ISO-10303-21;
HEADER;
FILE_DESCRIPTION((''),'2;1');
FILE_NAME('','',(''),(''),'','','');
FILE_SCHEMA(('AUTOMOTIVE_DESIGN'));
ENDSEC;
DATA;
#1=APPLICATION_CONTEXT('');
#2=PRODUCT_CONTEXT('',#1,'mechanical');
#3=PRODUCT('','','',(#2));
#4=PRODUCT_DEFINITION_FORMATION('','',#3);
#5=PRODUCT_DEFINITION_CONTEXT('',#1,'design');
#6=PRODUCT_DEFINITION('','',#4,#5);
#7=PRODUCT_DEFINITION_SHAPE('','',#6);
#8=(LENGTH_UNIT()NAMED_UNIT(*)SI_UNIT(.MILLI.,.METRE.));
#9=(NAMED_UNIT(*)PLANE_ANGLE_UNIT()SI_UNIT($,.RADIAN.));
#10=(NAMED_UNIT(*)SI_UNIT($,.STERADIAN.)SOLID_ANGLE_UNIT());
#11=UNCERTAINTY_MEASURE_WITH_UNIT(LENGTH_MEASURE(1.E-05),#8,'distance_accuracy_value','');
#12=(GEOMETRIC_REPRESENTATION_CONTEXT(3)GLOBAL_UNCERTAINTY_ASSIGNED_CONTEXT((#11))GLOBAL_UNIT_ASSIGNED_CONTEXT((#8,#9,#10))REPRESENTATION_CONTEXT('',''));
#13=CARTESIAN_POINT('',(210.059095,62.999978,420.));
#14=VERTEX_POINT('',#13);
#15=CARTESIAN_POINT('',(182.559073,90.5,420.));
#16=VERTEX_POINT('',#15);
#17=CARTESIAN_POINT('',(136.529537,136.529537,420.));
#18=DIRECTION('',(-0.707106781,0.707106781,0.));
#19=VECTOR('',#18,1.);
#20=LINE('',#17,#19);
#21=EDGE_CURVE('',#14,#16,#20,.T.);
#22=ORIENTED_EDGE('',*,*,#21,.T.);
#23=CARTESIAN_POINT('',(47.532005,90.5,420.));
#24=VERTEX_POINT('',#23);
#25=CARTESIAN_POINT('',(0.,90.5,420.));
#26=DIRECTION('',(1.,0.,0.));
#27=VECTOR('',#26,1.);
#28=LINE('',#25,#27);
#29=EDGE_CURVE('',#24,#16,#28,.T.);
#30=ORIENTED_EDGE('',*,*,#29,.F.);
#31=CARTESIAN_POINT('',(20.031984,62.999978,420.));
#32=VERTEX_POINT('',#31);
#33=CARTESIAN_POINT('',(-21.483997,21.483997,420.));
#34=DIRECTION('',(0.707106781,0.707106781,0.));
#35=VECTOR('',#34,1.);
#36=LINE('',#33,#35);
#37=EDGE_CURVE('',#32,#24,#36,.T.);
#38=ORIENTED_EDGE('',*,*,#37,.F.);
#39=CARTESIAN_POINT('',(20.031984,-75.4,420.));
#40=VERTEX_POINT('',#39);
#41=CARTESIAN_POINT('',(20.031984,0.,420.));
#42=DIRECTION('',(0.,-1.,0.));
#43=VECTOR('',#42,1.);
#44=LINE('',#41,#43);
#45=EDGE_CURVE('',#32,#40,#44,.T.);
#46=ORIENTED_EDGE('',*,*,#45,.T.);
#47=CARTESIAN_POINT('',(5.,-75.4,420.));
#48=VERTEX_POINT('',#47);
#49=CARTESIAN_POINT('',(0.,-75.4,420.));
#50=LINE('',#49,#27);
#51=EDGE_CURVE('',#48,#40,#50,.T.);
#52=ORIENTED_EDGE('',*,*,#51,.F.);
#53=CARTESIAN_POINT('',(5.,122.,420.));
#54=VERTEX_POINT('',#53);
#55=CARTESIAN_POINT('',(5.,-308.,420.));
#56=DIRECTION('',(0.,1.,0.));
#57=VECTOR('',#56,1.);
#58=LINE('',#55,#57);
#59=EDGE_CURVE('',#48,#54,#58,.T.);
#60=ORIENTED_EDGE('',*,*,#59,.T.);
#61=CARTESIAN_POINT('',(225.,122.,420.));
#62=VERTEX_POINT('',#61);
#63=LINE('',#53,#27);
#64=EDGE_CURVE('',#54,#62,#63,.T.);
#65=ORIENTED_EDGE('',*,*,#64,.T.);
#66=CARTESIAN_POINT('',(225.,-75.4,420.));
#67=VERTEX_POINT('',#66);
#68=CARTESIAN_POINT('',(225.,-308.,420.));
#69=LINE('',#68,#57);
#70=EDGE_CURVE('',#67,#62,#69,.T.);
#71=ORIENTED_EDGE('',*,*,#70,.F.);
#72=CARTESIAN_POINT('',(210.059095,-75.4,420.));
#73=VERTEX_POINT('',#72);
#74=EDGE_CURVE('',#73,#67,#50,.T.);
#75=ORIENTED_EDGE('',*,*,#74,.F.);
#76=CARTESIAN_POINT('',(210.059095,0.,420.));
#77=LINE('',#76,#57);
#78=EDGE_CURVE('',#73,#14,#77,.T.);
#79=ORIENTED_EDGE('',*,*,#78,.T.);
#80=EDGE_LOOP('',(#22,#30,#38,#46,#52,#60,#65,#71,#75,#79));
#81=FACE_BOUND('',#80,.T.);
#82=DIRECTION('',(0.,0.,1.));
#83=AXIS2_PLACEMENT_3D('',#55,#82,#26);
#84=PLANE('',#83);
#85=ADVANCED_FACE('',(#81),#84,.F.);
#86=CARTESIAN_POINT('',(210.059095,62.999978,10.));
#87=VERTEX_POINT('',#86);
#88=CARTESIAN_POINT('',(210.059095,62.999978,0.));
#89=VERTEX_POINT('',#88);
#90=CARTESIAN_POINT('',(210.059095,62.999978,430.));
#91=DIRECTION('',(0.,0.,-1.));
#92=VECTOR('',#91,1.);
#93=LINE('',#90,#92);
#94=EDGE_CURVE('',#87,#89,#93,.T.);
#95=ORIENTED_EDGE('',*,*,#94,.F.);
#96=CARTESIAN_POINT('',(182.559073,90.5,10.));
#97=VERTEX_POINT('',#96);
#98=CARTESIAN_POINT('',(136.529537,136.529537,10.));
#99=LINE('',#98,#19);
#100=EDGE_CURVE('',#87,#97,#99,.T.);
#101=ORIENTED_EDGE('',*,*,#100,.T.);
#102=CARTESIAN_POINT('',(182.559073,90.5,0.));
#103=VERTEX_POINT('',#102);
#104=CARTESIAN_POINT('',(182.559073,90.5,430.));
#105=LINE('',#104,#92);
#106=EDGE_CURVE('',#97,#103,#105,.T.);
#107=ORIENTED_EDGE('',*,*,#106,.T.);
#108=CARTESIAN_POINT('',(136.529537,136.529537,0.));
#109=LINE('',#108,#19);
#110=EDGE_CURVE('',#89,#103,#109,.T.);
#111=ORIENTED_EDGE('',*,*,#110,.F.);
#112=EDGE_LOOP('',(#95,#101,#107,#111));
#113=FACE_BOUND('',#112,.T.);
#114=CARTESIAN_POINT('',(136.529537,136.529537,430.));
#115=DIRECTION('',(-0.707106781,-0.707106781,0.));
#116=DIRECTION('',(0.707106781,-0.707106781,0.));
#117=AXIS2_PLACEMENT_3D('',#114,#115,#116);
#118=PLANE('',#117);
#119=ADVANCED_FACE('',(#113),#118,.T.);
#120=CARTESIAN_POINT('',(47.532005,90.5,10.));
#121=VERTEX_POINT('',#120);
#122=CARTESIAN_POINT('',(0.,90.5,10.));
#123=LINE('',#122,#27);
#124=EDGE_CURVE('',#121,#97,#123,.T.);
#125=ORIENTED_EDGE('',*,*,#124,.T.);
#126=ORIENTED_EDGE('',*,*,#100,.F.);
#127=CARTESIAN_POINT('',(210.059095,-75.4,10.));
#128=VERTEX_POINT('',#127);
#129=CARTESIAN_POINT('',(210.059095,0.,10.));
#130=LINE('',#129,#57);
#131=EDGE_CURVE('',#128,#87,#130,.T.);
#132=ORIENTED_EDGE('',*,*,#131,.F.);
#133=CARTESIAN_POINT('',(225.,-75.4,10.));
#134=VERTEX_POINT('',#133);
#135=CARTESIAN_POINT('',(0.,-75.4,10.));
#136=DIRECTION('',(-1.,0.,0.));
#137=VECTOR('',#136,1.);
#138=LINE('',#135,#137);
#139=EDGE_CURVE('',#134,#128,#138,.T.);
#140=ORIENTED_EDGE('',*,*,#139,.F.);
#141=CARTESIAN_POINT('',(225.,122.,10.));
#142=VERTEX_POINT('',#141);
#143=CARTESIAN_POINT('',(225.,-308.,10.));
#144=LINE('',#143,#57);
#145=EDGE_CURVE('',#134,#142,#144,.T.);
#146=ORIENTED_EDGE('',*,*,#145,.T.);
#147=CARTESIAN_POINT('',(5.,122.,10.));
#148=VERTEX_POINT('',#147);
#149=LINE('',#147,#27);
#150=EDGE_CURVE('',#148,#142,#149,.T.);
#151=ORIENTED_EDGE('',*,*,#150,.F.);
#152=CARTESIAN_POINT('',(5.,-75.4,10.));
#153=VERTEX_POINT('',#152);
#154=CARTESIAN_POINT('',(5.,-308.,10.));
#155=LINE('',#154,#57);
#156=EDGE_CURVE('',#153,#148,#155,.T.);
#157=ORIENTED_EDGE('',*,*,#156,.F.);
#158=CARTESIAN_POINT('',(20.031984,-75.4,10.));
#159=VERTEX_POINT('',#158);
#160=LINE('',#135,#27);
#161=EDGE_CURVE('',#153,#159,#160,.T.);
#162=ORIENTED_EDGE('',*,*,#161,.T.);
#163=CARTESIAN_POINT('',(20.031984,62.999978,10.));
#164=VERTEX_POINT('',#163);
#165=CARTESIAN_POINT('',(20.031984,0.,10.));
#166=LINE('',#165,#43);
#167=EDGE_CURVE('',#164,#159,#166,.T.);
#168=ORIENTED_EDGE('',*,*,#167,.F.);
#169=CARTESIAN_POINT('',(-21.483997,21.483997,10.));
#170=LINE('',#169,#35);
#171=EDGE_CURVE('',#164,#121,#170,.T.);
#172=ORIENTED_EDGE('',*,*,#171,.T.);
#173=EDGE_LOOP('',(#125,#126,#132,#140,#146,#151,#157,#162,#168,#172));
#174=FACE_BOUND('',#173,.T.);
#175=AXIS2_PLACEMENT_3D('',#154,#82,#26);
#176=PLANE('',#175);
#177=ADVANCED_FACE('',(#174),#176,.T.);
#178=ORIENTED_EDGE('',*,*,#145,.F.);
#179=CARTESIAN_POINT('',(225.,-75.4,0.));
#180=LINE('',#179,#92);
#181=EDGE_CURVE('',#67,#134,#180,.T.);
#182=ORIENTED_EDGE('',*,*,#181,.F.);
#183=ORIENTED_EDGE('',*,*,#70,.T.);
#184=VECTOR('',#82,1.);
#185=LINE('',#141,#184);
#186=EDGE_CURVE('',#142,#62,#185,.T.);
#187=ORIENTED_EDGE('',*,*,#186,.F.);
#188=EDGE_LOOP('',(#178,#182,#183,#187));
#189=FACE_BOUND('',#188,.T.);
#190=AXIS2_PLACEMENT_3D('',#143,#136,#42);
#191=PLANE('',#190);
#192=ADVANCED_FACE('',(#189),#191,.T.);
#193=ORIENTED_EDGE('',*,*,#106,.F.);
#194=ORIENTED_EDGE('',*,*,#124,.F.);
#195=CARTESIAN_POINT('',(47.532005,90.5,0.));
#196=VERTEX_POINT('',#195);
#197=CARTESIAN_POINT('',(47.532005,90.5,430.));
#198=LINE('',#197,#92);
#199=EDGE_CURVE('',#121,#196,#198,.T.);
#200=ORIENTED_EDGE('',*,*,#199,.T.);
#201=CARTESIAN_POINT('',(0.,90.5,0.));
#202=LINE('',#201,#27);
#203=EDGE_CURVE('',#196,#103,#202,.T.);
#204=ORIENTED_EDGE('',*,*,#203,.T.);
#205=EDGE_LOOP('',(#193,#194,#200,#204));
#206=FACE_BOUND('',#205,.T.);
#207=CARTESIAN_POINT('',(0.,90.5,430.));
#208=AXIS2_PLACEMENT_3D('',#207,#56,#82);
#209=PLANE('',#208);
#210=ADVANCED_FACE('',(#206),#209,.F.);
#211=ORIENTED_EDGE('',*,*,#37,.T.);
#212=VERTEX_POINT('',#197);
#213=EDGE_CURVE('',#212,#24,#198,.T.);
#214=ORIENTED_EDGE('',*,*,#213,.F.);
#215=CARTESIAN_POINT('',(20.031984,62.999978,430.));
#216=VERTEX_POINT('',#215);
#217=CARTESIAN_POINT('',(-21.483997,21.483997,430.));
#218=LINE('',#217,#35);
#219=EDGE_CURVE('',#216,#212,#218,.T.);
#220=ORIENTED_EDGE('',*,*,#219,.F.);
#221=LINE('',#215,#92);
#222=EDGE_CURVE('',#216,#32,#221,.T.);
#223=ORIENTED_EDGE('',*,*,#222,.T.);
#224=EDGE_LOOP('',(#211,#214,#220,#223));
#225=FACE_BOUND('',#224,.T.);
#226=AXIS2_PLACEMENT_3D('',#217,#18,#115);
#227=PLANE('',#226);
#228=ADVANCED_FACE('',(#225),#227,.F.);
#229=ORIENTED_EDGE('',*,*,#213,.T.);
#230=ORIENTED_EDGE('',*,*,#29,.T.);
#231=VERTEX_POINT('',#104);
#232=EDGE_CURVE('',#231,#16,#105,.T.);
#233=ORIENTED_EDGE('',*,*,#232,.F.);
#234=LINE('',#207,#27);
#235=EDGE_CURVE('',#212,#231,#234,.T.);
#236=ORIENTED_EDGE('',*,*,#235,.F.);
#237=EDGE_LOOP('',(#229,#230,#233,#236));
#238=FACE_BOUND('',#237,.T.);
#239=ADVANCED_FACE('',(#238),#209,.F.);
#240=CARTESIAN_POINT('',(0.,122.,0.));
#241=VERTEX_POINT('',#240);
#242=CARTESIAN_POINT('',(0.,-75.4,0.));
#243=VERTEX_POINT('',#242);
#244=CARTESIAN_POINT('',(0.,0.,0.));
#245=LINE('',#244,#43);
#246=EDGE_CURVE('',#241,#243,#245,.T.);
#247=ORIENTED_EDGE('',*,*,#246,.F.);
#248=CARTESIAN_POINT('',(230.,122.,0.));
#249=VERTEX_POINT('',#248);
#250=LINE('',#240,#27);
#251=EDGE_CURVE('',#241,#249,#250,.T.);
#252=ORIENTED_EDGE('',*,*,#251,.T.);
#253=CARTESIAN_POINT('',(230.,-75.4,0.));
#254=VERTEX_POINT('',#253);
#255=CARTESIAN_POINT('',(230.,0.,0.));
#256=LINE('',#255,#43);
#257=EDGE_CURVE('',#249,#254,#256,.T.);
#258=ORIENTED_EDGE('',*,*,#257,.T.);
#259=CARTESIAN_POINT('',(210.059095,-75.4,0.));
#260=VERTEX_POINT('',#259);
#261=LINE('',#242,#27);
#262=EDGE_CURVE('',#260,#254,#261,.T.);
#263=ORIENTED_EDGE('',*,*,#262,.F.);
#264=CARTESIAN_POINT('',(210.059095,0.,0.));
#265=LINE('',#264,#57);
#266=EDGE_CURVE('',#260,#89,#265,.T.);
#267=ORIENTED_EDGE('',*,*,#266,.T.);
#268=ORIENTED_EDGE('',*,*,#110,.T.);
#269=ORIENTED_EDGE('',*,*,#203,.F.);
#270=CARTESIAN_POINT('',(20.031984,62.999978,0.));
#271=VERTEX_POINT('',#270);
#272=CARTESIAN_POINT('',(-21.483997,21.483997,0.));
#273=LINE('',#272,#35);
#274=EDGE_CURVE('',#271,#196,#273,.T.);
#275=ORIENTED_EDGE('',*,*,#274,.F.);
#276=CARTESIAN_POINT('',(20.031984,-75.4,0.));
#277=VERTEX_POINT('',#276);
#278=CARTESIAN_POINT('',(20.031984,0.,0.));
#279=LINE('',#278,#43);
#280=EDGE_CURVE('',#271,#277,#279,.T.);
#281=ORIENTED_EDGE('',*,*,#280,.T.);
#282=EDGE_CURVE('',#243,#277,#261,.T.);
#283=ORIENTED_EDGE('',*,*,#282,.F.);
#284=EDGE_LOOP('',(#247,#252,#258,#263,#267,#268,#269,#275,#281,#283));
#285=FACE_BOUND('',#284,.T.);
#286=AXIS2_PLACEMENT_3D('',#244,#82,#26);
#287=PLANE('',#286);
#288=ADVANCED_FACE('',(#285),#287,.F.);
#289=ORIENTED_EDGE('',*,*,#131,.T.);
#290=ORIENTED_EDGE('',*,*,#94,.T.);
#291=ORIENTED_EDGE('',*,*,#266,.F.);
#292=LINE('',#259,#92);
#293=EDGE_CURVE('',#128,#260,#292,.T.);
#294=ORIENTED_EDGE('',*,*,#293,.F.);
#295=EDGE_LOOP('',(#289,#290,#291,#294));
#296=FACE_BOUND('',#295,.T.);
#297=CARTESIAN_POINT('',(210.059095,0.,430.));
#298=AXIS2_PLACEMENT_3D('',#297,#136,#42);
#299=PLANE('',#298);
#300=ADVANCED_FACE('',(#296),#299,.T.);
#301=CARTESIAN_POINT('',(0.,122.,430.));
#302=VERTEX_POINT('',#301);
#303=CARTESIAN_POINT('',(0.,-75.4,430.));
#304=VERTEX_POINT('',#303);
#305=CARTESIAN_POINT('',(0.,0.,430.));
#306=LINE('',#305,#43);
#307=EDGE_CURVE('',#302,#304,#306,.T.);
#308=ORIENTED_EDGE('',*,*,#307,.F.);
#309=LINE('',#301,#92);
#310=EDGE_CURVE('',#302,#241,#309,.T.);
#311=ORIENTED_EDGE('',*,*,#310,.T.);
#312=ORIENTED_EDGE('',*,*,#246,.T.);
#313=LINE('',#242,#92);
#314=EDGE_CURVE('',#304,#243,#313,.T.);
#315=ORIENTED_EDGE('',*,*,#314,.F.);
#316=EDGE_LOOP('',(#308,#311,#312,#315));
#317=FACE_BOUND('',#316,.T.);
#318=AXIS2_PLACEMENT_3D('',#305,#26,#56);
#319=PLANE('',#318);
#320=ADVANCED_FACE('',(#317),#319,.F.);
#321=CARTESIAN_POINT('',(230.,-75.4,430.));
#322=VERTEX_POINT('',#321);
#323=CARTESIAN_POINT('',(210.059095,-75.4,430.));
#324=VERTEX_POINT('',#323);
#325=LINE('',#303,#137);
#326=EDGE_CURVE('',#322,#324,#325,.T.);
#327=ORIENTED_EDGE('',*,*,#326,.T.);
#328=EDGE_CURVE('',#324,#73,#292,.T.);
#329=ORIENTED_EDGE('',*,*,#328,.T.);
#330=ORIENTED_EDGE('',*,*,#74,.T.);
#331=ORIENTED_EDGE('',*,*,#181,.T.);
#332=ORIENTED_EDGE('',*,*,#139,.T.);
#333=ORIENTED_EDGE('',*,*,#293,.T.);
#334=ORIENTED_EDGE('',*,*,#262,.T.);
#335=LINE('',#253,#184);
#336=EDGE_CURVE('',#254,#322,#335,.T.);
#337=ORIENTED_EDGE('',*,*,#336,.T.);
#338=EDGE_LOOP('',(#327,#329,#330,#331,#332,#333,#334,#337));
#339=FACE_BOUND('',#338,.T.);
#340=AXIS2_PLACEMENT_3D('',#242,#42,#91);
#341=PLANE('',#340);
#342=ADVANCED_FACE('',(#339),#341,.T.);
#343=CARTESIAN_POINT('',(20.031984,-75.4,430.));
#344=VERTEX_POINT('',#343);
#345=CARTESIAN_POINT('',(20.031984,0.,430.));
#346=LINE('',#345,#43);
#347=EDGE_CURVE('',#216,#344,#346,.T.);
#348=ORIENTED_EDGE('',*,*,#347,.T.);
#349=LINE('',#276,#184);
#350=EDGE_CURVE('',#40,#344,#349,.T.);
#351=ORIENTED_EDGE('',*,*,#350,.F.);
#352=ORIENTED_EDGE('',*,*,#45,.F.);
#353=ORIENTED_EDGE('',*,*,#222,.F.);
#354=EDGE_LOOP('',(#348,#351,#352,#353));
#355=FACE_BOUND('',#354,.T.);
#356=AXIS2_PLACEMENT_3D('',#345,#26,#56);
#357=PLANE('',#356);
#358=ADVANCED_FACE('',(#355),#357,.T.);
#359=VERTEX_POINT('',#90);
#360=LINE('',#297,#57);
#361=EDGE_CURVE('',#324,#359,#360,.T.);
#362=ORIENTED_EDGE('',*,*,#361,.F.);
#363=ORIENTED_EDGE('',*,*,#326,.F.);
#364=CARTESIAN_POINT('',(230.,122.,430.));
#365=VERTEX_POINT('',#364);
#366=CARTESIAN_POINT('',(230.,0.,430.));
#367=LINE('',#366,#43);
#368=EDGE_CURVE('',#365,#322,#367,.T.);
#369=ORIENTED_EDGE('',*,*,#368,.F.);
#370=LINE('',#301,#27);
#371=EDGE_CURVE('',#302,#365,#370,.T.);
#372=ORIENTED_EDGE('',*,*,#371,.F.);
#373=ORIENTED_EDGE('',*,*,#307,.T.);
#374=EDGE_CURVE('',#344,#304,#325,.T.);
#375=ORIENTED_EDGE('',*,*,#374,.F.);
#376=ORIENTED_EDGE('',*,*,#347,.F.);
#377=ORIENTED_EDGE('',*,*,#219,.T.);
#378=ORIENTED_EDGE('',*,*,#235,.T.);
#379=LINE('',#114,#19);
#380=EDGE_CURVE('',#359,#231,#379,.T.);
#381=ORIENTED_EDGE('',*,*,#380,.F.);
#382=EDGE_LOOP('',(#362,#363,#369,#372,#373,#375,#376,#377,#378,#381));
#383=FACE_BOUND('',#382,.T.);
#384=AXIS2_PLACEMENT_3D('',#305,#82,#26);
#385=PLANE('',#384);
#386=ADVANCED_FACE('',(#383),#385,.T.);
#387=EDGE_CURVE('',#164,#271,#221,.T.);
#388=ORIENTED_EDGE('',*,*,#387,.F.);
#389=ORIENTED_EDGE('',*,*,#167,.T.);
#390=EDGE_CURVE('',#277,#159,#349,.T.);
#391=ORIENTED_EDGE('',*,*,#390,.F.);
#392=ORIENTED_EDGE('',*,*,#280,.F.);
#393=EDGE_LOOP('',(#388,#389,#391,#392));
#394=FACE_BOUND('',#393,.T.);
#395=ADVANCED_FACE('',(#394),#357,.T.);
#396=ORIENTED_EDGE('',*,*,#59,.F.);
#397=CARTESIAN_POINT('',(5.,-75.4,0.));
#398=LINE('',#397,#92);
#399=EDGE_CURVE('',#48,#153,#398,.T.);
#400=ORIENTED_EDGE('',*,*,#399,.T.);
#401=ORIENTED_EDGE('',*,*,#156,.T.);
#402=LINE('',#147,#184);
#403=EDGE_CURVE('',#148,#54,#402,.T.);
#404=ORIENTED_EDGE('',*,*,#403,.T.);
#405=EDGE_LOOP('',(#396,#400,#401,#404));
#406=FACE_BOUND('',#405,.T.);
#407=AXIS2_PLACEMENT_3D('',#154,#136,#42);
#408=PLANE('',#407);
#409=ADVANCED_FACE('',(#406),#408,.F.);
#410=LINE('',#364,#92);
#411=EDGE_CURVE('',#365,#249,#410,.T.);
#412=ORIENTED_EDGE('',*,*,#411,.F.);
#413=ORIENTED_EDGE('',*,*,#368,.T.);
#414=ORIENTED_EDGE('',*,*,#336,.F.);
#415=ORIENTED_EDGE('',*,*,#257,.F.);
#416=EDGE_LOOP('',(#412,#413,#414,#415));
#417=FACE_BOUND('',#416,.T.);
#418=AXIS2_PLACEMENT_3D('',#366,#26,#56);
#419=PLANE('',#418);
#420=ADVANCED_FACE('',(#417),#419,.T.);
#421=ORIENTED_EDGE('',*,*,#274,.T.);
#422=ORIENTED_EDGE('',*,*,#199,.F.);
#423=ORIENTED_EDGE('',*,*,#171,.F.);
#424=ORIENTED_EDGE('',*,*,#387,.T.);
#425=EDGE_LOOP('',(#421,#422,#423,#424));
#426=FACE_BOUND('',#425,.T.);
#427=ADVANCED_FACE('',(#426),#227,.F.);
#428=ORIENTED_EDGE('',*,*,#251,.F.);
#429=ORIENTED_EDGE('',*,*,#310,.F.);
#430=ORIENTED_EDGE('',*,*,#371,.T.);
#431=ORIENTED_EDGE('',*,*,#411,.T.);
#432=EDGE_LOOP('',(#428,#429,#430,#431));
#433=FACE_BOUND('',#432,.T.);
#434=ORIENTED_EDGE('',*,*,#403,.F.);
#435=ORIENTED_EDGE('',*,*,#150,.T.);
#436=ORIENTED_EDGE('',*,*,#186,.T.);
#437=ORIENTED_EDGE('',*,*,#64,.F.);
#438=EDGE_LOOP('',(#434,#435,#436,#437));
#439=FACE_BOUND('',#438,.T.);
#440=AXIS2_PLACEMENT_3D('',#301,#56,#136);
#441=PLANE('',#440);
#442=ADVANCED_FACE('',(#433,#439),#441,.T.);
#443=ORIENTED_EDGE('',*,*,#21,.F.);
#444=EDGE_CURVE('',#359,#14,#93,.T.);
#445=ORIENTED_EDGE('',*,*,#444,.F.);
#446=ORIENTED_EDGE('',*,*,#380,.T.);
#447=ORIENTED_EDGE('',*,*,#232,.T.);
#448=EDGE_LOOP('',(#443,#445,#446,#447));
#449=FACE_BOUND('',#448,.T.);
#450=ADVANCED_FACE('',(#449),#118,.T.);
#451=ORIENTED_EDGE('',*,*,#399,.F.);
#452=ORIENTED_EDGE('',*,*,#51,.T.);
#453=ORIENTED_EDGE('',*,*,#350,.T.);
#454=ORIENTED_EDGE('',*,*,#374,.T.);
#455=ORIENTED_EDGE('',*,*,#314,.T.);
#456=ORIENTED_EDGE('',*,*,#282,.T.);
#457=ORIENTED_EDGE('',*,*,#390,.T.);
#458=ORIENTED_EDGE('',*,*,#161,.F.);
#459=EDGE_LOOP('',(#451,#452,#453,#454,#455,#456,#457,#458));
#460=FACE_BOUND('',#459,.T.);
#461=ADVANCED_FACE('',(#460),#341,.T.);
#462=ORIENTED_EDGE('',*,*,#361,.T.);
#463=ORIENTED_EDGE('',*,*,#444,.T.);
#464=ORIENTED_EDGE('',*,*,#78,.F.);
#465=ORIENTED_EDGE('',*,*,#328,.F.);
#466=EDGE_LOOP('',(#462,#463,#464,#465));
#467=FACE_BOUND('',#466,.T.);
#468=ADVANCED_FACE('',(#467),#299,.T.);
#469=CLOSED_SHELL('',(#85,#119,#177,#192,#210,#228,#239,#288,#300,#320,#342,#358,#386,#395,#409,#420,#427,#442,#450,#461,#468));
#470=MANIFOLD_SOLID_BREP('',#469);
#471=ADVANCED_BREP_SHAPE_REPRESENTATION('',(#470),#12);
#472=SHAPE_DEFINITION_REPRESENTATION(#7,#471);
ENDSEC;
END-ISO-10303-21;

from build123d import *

# Parameters (mm, degrees)
BOSS_EXTRUDE5_DEPTH  = 430
SKETCH6_W            = 220
SKETCH6_H            = 410
CUT_EXTRUDE5_DEPTH   = 430
SKETCH7_W            = 7
SKETCH7_H            = 30
BOSS_EXTRUDE6_DEPTH  = 30
SKETCH8_W            = 7
SKETCH8_H            = 30
BOSS_EXTRUDE7_DEPTH  = 30
BOSS_EXTRUDE8_DEPTH  = 28
CUT_EXTRUDE6_DEPTH   = 430
BOSS_EXTRUDE9_DEPTH  = 38.4
SKETCH12_W           = 430
SKETCH12_H           = 6
CUT_EXTRUDE7_DEPTH   = 500
SKETCH13_W           = 15.031983572
SKETCH13_H           = 10
BOSS_EXTRUDE10_DEPTH = 15
SKETCH14_W           = 14.940905272
SKETCH14_H           = 10
SKETCH14_W_2         = 5
SKETCH14_H_2         = 410
BOSS_EXTRUDE11_DEPTH = 15


with BuildPart() as part:
    # Sketch1 → Boss-Extrude5 (new body)
    with BuildSketch(Plane.XY):
        Polygon((230, 122), (0, 122), (0, 0), (50, 0), (50, 30), (28.531983572, 30), (28.531983572, 38.499978431), (20.031983572, 38.499978431), (20.031983572, 62.999978431), (47.532005141, 90.5), (182.467994859, 90.5), (182.559073159, 90.5), (210.059094728, 62.999978431), (210.059094728, 38.499978431), (209.968016428, 38.499978431), (201.559094728, 38.499978431), (201.559094728, 30), (201.468016428, 30), (180, 30), (180, 0), (230, 0), align=None)
    extrude(amount=BOSS_EXTRUDE5_DEPTH)

    # Sketch6 → Cut-Extrude5 (cut)
    with BuildSketch(Plane(origin=(0, 122, 0), x_dir=(1, 0, 0), z_dir=(0, 1, 0))):
        with Locations((115, -215)):
            Rectangle(SKETCH6_W, SKETCH6_H)
    extrude(amount=-CUT_EXTRUDE5_DEPTH, mode=Mode.SUBTRACT)

    # Sketch7 → Boss-Extrude6 (add)
    with BuildSketch(Plane.XY.offset(10)):
        with Locations((46.5, 15)):
            Rectangle(SKETCH7_W, SKETCH7_H)
        with Locations((183.5, 15)):
            Rectangle(SKETCH7_W, SKETCH7_H)
    extrude(amount=BOSS_EXTRUDE6_DEPTH)

    # Sketch8 → Boss-Extrude7 (add)
    with BuildSketch(Plane(origin=(0, 0, 420), x_dir=(-1, 0, 0), z_dir=(0, 0, -1))):
        with Locations((-183.5, 15)):
            Rectangle(SKETCH8_W, SKETCH8_H)
        with Locations((-46.5, 15)):
            Rectangle(SKETCH8_W, SKETCH8_H)
    extrude(amount=BOSS_EXTRUDE7_DEPTH)

    # Sketch9 → Boss-Extrude8 (add)
    with BuildSketch(Plane.XZ):
        Polygon((50, 430), (0, 430), (0, 0), (50, 0), (50, 40), (43, 40), (43, 10), (5, 10), (5, 420), (43, 420), (43, 390), (50, 390), align=None)
        Polygon((187, 420), (225, 420), (225, 10), (187, 10), (187, 40), (180, 40), (180, 0), (230, 0), (230, 430), (180, 430), (180, 390), (187, 390), align=None)
    extrude(amount=BOSS_EXTRUDE8_DEPTH)

    # Sketch10 → Cut-Extrude6 (cut)
    with BuildSketch(Plane(origin=(0, 0, 0), x_dir=(-1, 0, 0), z_dir=(0, 0, -1))):
        Polygon((-201.559094728, 38.499978431), (-210.059094728, 38.499978431), (-210.059094728, -28), (-180, -28), (-180, 30), (-201.559094728, 30), align=None)
        Polygon((-28.531983572, 30), (-50, 30), (-50, -28), (-20.031983572, -28), (-20.031983572, 30), (-20.031983572, 38.499978431), (-28.531983572, 38.499978431), align=None)
    extrude(amount=-CUT_EXTRUDE6_DEPTH, mode=Mode.SUBTRACT)

    # Sketch11 → Boss-Extrude9 (add)
    with BuildSketch(Plane.XZ.offset(28)):
        Polygon((230, 0), (225, 0), (210.059094728, 0), (210.059094728, 10), (225, 10), (225, 420), (210.059094728, 420), (210.059094728, 430), (230, 430), (230, 420), align=None)
        Polygon((5, 10), (5, 420), (20.031983572, 420), (20.031983572, 430), (5, 430), (0, 430), (0, 10), (0, 0), (20.031983572, 0), (20.031983572, 10), align=None)
    extrude(amount=BOSS_EXTRUDE9_DEPTH)

    # Sketch12 → Cut-Extrude7 (cut)
    with BuildSketch(Plane.ZY):
        with Locations((215, -63.4)):
            Rectangle(SKETCH12_W, SKETCH12_H)
    extrude(amount=-CUT_EXTRUDE7_DEPTH, mode=Mode.SUBTRACT)

    # Sketch13 → Boss-Extrude10 (add)
    with BuildSketch(Plane.XZ.offset(60.4)):
        with Locations((12.515991786, 425)):
            Rectangle(SKETCH13_W, SKETCH13_H)
        Polygon((5, 430), (0, 430), (0, 10), (5, 10), (5, 420), align=None)
        Polygon((5, 10), (0, 10), (0, 0), (20.031983572, 0), (20.031983572, 10), align=None)
    extrude(amount=BOSS_EXTRUDE10_DEPTH)

    # Sketch14 → Boss-Extrude11 (add)
    with BuildSketch(Plane.XZ.offset(60.4)):
        with Locations((217.529547364, 425)):
            Rectangle(SKETCH14_W, SKETCH14_H)
        with Locations((227.5, 425)):
            Rectangle(SKETCH14_W_2, SKETCH14_H)
        with Locations((227.5, 215)):
            Rectangle(SKETCH14_W_2, SKETCH14_H_2)
        Polygon((230, 0), (230, 10), (225, 10), (210.059094728, 10), (210.059094728, 0), align=None)
    extrude(amount=BOSS_EXTRUDE11_DEPTH)


solid = part.part
